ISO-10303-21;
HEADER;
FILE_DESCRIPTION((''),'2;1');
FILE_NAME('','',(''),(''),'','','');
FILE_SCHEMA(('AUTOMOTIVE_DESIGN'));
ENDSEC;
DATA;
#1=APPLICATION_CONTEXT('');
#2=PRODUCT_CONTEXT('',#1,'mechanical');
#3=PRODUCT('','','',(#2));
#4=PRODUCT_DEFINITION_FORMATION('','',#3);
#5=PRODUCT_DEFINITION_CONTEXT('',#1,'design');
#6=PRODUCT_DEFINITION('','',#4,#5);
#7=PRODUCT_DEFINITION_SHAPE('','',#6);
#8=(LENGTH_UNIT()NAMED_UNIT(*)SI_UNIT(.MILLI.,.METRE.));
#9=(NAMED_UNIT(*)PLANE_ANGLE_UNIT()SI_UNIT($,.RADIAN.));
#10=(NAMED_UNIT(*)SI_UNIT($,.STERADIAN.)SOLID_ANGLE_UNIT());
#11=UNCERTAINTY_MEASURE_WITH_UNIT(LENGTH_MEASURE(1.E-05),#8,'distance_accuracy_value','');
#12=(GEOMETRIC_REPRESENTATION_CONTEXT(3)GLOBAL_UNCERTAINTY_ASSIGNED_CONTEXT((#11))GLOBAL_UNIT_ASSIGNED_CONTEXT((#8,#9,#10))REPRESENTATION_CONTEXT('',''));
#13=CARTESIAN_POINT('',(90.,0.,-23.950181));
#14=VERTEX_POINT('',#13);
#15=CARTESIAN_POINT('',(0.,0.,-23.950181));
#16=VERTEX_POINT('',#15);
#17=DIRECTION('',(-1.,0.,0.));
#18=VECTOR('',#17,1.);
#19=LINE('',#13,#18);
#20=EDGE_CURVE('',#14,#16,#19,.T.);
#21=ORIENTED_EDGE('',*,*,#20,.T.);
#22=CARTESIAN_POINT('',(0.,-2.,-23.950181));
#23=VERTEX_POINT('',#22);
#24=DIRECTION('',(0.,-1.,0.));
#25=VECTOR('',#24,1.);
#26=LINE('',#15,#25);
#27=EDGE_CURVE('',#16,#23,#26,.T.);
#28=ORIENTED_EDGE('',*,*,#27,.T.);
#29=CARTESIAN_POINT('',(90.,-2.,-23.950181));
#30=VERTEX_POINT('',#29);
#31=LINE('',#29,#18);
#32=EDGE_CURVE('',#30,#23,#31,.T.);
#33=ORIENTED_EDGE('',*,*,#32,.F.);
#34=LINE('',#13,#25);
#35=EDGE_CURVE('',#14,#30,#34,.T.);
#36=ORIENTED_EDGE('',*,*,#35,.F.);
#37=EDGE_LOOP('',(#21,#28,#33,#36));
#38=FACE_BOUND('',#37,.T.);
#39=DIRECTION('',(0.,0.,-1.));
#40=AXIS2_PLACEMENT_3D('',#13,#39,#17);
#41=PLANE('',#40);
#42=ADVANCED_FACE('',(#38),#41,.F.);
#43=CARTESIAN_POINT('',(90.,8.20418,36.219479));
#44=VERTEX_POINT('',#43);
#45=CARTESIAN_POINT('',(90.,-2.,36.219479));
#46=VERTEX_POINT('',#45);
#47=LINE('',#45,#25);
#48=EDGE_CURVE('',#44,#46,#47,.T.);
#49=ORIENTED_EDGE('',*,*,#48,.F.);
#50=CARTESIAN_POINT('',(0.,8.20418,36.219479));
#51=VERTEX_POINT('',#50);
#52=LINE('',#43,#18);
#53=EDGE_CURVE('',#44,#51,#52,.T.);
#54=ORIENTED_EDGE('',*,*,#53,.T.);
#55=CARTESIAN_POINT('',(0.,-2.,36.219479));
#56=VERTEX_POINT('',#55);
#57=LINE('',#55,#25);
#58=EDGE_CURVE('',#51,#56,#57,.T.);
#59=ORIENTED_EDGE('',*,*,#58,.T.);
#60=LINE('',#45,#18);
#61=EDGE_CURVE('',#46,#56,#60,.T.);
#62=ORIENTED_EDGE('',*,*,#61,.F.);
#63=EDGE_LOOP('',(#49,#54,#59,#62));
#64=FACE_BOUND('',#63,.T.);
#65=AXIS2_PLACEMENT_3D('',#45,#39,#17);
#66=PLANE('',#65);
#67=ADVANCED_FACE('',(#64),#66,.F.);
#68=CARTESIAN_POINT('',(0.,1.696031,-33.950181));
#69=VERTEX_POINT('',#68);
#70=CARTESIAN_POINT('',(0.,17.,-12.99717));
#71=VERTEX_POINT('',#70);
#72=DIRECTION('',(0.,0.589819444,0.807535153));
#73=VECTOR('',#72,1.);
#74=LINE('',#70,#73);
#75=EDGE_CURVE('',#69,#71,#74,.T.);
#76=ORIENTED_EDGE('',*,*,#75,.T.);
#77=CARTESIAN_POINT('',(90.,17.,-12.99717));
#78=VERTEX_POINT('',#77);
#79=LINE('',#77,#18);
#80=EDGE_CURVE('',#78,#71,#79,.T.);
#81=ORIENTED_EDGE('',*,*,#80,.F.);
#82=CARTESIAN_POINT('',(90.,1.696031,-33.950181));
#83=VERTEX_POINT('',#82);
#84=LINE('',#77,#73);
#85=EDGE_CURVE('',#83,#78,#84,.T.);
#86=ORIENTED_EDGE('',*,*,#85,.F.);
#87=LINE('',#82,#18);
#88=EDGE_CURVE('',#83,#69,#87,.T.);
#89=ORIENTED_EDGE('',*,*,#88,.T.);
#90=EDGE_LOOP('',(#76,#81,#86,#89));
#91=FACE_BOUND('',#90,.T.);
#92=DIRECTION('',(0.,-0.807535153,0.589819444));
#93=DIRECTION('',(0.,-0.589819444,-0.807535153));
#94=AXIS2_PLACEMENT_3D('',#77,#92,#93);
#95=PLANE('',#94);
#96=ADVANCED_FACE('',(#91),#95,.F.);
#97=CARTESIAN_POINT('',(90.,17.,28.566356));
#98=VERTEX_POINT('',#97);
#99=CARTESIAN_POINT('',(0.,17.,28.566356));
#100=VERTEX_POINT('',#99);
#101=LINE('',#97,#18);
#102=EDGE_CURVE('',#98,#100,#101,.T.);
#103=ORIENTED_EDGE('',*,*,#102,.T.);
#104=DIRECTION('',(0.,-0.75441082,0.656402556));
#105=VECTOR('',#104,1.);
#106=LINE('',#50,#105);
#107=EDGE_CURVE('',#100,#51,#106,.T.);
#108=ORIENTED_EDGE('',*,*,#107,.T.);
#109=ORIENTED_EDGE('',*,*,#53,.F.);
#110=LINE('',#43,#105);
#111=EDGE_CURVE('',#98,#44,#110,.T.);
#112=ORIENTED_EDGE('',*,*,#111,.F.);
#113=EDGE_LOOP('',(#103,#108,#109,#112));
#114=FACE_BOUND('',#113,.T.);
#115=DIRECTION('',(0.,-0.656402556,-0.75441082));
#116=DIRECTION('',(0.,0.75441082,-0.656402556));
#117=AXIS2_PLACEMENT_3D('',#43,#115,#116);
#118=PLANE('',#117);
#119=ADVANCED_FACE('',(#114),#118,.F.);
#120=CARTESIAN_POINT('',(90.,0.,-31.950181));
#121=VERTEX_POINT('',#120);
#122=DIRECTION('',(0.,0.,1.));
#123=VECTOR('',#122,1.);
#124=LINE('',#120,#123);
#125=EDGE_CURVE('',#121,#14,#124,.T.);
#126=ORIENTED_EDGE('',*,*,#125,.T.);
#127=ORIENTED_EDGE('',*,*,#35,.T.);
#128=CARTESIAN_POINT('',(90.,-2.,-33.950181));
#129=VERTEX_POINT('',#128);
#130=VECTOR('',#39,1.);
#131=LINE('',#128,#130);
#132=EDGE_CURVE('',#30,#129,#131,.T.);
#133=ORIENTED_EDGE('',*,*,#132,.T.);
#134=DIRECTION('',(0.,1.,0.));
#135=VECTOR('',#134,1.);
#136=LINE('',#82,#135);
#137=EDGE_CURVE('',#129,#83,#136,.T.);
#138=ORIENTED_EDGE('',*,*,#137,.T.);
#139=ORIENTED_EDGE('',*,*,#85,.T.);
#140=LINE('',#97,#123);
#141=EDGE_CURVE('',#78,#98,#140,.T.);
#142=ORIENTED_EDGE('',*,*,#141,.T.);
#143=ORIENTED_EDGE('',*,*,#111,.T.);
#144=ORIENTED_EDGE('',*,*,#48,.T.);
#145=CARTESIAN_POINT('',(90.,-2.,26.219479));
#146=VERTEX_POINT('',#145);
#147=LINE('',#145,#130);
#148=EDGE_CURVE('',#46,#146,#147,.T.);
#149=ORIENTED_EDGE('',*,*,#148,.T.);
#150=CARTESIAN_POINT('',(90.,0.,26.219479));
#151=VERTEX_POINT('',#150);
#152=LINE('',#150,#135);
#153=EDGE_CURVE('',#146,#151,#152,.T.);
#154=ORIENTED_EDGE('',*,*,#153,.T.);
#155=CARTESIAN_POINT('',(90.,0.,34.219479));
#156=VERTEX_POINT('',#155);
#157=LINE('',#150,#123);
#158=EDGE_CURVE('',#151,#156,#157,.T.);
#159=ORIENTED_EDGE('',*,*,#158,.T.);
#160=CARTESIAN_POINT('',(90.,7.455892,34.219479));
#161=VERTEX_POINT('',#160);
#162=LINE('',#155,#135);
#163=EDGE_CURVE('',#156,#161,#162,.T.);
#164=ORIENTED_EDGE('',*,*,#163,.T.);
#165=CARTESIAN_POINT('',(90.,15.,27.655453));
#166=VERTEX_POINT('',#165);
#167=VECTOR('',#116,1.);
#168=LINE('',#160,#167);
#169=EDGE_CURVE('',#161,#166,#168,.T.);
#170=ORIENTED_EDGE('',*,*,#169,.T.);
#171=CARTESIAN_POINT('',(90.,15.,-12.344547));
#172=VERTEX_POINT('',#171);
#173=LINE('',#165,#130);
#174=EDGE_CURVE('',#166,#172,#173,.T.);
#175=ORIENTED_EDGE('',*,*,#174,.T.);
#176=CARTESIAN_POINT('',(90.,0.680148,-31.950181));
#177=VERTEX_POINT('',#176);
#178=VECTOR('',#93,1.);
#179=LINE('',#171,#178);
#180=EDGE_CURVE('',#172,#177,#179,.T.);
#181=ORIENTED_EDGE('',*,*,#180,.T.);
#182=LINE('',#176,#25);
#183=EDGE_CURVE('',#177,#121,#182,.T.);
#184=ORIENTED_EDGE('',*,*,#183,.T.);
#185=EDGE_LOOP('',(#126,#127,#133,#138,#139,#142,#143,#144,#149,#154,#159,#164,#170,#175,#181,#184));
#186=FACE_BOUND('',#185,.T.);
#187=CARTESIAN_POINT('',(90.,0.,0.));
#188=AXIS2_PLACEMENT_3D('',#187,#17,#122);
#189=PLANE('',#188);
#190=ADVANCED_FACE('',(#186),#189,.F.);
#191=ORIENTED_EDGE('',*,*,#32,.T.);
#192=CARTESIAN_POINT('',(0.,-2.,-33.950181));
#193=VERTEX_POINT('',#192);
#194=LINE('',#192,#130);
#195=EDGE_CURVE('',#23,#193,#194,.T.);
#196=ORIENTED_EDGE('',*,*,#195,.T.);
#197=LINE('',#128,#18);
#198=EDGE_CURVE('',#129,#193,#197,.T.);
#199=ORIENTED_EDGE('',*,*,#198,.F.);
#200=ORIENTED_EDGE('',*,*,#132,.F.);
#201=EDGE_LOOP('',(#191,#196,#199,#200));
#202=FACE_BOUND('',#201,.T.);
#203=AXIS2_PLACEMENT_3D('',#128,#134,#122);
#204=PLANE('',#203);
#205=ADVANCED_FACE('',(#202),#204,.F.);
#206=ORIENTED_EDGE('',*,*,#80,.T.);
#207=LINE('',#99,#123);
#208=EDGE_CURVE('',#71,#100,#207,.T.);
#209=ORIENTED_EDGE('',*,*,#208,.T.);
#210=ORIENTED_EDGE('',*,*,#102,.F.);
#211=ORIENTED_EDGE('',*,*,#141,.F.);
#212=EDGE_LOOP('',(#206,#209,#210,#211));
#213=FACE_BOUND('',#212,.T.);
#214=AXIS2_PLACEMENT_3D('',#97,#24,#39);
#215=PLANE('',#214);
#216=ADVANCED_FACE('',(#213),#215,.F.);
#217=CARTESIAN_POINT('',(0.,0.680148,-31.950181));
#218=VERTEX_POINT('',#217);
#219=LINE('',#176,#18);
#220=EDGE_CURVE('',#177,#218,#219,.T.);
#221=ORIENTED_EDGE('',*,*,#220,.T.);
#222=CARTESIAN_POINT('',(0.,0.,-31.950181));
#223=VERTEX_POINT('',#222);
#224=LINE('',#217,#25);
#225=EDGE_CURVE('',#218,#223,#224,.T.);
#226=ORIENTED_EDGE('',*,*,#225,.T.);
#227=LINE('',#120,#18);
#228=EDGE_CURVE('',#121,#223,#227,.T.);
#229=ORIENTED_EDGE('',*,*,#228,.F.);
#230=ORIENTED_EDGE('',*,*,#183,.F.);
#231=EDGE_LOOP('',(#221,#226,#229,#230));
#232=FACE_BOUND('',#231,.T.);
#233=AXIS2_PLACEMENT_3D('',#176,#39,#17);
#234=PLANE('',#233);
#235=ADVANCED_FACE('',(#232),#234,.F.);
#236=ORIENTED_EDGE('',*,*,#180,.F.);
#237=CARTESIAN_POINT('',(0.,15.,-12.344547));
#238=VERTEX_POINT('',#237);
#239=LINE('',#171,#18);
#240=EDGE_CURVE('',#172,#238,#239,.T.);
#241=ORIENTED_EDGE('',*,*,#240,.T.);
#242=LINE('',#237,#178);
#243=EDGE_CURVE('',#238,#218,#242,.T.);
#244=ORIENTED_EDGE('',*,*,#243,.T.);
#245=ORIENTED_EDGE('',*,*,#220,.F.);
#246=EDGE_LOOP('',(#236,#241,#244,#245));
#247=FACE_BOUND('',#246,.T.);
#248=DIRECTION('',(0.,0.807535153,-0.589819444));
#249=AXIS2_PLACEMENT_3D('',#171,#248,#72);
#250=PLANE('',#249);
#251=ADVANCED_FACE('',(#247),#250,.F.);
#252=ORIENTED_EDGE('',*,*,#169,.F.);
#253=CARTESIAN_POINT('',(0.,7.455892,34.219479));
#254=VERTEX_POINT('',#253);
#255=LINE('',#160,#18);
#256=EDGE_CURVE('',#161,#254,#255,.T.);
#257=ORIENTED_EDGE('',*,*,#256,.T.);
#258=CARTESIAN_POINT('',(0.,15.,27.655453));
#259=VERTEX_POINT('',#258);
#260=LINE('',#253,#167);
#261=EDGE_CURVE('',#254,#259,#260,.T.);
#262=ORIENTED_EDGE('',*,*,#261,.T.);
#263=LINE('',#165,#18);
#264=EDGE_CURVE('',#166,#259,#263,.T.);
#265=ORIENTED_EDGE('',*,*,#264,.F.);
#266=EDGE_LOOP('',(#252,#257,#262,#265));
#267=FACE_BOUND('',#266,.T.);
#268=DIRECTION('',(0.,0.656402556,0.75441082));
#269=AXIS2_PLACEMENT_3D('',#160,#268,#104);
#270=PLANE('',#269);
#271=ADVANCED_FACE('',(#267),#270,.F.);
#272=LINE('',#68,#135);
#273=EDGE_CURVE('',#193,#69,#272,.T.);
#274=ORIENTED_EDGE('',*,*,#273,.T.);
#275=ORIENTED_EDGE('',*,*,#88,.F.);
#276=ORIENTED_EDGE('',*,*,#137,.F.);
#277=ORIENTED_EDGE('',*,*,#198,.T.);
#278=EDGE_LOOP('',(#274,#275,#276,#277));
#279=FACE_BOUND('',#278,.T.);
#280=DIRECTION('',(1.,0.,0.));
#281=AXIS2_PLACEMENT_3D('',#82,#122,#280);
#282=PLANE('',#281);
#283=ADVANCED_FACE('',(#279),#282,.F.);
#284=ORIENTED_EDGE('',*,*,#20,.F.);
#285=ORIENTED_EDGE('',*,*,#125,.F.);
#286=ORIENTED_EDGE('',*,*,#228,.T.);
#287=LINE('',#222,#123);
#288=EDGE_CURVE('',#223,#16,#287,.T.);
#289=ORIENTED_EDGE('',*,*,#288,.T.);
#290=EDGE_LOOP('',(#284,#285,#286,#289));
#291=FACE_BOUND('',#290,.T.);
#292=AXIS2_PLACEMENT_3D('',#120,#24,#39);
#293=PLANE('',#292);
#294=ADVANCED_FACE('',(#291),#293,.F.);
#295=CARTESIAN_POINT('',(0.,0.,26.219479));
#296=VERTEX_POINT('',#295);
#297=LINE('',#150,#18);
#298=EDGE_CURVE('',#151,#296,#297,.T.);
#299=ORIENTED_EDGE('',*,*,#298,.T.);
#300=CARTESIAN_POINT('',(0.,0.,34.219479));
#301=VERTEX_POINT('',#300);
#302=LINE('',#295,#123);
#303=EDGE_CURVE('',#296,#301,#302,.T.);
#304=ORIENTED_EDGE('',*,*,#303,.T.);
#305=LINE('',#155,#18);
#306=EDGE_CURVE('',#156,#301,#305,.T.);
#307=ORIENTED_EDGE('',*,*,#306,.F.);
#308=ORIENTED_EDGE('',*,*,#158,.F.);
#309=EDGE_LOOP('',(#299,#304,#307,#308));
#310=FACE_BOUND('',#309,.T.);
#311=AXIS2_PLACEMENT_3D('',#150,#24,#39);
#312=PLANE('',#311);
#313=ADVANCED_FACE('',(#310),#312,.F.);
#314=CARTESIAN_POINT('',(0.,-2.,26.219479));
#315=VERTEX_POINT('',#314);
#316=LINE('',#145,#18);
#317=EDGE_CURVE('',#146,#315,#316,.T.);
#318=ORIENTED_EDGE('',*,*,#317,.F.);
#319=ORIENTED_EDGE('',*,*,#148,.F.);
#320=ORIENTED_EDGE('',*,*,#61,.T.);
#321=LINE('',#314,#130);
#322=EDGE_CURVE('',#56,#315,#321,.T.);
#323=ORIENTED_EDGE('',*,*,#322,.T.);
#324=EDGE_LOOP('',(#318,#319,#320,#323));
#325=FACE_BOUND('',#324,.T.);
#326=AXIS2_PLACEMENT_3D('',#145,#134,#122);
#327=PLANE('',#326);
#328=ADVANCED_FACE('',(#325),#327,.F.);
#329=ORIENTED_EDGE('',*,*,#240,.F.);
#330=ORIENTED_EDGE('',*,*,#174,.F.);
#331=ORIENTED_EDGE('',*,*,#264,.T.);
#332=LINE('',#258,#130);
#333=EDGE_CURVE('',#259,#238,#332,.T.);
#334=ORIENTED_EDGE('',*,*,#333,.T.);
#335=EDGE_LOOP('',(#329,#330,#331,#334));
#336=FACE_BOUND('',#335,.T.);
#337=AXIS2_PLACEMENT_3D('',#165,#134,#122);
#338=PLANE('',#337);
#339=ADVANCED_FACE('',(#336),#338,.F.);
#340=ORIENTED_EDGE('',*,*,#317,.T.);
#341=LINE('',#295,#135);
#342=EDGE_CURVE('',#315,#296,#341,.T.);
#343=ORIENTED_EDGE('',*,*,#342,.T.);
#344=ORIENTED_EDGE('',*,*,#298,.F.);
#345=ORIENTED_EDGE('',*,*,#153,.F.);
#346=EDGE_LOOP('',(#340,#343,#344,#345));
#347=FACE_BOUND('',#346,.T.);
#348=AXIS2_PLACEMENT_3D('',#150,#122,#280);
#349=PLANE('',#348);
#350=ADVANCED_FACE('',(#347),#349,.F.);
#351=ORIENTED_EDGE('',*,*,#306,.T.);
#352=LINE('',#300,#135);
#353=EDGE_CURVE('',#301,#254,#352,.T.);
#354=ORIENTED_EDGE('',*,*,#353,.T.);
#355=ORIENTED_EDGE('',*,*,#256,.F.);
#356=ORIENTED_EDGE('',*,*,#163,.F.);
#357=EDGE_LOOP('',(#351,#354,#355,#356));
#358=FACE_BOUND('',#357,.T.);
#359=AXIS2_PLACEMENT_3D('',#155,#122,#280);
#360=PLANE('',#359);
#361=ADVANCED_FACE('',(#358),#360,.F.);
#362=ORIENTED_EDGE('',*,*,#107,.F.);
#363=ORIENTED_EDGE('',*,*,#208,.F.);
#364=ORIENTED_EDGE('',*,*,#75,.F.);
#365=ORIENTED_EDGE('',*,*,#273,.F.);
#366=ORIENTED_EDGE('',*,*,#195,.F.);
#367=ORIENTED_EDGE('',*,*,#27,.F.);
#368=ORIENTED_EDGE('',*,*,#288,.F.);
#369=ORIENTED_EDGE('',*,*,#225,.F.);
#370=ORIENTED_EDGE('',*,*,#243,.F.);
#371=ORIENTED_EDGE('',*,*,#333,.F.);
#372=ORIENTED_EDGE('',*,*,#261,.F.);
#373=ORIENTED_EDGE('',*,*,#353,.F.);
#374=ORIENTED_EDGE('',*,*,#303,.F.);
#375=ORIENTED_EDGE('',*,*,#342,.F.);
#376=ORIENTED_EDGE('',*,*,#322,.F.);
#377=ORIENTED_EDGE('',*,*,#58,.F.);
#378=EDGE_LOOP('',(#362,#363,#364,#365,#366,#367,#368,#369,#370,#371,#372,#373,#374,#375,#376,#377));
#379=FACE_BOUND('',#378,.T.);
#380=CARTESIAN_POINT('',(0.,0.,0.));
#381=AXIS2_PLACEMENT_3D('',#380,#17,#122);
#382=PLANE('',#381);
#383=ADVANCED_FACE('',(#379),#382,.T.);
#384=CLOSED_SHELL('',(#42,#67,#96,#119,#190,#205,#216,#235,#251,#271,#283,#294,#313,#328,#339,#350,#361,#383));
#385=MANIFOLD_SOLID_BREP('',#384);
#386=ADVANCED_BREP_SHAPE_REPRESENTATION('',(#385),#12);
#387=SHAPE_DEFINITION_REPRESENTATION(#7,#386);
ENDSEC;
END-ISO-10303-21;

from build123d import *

# Parameters (mm, degrees)
BOSS_EXTRUDE1_DEPTH = 90


with BuildPart() as part:
    # Sketch1 → Boss-Extrude1 (new body)
    with BuildSketch(Plane(origin=(0, 0, 0), x_dir=(0, 0, -1), z_dir=(1, 0, 0))):
        Polygon((-26.219478533, 0), (-34.219478533, 0), (-34.219478533, 7.455891804), (-27.655452975, 15), (12.344547025, 15), (31.950180828, 0.680147815), (31.950180828, 0), (23.950180828, 0), (23.950180828, -2), (33.950180828, -2), (33.950180828, 1.696030664), (12.997169955, 17), (-28.566355722, 17), (-36.219478533, 8.204180117), (-36.219478533, -2), (-26.219478533, -2), align=None)
    extrude(amount=BOSS_EXTRUDE1_DEPTH)


solid = part.part
